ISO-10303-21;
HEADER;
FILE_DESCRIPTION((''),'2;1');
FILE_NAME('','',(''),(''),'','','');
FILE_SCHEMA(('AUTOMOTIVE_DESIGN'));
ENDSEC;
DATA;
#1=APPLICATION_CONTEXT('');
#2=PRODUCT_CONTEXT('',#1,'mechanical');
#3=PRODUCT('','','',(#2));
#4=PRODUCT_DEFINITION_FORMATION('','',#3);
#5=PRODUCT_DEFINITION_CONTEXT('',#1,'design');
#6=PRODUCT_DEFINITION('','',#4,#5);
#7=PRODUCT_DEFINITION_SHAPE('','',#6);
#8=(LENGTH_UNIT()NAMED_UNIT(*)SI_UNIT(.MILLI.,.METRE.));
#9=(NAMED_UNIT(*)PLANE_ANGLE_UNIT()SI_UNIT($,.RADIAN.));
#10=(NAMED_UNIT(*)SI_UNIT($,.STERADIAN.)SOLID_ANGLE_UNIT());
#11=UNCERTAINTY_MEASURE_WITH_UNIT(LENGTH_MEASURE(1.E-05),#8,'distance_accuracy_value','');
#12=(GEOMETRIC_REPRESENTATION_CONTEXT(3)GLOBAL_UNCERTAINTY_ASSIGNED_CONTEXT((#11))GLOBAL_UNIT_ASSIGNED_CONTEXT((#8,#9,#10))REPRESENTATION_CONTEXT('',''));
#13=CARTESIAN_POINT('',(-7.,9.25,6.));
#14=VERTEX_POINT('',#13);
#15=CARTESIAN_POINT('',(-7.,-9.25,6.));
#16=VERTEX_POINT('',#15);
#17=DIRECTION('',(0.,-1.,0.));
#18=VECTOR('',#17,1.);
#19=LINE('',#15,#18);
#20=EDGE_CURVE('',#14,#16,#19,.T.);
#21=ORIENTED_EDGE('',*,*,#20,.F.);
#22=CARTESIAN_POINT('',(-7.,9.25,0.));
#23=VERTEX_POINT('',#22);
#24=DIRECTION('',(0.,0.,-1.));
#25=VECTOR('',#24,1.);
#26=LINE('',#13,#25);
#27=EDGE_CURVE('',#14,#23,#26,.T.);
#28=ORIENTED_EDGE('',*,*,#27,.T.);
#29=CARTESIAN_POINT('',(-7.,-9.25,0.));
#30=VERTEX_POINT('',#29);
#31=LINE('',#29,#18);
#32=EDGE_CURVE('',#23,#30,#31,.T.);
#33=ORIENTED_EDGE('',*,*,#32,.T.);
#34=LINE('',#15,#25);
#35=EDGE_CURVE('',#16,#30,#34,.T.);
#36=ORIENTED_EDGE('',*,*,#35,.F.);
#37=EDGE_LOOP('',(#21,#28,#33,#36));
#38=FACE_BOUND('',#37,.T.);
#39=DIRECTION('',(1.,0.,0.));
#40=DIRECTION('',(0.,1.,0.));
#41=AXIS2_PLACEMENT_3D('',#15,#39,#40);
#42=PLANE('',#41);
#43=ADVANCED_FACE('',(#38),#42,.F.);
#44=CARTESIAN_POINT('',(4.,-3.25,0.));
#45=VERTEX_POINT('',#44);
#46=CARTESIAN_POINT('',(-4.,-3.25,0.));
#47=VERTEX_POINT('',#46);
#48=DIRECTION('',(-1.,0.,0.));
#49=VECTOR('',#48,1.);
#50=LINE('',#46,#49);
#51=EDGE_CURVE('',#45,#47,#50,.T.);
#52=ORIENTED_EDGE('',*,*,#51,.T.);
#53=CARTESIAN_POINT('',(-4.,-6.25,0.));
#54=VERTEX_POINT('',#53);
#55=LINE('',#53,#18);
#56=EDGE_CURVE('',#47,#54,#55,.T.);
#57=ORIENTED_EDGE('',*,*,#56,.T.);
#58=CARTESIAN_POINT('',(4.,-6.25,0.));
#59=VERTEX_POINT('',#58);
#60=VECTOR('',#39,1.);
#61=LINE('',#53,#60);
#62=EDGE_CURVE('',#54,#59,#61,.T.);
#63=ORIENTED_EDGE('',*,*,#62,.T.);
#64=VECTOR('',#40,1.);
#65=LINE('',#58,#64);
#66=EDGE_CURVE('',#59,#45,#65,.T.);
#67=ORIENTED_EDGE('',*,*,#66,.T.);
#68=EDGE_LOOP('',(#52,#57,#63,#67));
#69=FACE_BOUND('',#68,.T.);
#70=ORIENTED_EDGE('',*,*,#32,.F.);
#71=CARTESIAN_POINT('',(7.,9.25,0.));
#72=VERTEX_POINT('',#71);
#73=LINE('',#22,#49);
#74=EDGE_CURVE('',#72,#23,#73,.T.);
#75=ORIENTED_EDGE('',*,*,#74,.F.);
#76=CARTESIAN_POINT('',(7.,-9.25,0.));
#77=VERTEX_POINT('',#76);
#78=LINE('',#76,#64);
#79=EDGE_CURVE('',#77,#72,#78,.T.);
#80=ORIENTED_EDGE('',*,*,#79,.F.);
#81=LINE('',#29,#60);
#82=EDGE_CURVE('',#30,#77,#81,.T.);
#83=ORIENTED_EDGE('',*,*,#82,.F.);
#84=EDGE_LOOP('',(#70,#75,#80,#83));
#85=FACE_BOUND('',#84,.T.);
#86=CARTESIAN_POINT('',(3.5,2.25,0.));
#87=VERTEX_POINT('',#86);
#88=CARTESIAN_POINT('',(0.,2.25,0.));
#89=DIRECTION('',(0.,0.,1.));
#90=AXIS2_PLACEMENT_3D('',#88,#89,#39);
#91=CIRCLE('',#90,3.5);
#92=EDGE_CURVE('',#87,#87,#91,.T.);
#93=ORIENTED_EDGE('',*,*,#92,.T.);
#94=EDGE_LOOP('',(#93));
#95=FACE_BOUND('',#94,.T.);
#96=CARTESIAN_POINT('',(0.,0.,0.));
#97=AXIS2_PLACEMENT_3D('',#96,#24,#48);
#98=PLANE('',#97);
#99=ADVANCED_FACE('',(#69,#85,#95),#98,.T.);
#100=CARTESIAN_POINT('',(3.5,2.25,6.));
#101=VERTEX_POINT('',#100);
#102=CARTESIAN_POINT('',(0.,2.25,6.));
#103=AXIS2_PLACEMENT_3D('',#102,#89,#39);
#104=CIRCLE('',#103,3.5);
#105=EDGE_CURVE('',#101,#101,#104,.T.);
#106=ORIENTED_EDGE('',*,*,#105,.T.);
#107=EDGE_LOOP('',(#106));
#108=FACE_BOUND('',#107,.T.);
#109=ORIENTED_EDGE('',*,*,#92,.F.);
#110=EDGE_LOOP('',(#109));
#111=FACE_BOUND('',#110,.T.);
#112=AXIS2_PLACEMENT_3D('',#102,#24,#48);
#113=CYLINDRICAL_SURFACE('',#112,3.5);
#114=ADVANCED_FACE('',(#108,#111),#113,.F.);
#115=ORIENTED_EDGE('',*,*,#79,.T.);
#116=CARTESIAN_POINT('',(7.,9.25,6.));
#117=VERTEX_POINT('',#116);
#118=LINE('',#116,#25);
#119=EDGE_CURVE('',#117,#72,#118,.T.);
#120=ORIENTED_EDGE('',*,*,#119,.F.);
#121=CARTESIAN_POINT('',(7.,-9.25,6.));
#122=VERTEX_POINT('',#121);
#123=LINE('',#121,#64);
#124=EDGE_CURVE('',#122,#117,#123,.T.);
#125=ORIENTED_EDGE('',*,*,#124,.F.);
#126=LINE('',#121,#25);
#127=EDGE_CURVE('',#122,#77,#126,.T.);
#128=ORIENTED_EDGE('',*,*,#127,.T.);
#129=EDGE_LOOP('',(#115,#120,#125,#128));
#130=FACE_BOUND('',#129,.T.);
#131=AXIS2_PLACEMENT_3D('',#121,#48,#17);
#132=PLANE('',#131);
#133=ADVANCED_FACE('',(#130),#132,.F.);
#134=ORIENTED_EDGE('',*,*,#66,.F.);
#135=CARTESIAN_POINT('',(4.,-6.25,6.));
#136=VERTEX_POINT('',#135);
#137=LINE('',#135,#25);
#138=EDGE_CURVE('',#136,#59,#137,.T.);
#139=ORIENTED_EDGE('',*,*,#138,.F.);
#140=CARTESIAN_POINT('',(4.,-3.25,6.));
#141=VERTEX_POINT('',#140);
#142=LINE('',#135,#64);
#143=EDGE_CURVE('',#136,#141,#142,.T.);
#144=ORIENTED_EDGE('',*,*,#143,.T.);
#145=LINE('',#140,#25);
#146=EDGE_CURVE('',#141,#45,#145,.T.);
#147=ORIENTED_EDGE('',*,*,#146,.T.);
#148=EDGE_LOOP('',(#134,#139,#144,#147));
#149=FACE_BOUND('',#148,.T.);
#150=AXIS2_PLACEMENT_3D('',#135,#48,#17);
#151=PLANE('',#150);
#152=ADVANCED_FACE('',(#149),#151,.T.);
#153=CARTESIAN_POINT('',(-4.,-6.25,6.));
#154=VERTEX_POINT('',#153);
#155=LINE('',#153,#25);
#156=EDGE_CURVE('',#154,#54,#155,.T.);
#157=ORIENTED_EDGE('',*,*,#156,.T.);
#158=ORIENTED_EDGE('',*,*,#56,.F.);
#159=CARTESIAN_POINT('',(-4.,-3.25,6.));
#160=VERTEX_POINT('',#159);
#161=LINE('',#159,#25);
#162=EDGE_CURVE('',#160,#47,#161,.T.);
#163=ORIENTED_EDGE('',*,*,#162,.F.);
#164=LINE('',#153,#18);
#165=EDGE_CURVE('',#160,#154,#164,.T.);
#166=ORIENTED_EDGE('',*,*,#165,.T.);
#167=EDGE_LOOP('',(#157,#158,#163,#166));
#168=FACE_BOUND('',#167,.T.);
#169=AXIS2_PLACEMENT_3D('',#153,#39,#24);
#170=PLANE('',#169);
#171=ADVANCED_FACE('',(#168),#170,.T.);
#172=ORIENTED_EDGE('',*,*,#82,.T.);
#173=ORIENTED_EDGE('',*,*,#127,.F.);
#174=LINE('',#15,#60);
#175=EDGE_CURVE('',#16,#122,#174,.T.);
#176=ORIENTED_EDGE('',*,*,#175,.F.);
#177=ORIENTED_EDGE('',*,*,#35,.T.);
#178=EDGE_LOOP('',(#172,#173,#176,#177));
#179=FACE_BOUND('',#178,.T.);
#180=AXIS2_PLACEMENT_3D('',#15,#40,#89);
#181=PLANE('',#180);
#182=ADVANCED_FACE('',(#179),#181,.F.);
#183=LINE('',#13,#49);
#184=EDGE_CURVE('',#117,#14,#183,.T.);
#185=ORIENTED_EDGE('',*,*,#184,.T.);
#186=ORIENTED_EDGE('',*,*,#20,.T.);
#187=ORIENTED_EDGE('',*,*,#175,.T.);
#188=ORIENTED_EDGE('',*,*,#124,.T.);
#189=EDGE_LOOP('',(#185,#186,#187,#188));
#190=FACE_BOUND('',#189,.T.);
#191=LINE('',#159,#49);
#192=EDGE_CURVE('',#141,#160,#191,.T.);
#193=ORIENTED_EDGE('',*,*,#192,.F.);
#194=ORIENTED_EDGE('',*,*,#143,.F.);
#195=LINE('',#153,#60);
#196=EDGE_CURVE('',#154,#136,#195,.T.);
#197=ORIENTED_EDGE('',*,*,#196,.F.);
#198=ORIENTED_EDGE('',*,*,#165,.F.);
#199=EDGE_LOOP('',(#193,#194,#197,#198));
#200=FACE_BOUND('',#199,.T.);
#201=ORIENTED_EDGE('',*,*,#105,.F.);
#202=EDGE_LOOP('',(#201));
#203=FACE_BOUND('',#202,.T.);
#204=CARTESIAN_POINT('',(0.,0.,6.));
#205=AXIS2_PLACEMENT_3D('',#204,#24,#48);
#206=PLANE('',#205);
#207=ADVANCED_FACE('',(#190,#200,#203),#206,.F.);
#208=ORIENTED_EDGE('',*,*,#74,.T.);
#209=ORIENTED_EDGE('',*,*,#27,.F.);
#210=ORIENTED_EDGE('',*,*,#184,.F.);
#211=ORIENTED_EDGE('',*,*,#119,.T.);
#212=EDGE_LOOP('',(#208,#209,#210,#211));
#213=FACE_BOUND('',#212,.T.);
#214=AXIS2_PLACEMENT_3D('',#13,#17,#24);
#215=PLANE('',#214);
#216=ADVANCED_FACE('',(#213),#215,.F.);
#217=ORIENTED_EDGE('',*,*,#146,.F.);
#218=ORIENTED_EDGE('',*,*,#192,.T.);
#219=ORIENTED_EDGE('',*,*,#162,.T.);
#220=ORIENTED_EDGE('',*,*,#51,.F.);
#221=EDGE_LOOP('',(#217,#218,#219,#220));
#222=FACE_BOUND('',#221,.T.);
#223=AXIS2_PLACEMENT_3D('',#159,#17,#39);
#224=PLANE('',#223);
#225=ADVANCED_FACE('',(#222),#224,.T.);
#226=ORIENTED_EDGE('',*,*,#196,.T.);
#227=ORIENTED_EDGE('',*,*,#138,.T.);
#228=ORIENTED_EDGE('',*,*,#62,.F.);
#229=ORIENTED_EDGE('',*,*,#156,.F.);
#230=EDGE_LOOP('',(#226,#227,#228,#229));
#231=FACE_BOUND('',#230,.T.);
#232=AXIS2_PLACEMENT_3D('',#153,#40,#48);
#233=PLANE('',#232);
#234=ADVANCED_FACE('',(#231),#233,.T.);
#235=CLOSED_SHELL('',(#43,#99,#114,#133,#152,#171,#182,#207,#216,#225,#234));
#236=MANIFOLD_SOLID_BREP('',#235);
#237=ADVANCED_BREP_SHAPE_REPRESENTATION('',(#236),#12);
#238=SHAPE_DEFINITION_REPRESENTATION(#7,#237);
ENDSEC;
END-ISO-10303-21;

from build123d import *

# Parameters (mm, degrees)
SKETCH1_W           = 14
SKETCH1_H           = 18.5
SKETCH1_R           = 3.5
SKETCH1_W_2         = 8
SKETCH1_H_2         = 3
BOSS_EXTRUDE1_DEPTH = 6


with BuildPart() as part:
    # Sketch1 → Boss-Extrude1 (new body)
    with BuildSketch(Plane.XY):
        Rectangle(SKETCH1_W, SKETCH1_H)
        with Locations((0, 2.25)):
            Circle(SKETCH1_R, mode=Mode.SUBTRACT)
        with Locations((0, -4.75)):
            Rectangle(SKETCH1_W_2, SKETCH1_H_2, mode=Mode.SUBTRACT)
    extrude(amount=BOSS_EXTRUDE1_DEPTH)


solid = part.part
